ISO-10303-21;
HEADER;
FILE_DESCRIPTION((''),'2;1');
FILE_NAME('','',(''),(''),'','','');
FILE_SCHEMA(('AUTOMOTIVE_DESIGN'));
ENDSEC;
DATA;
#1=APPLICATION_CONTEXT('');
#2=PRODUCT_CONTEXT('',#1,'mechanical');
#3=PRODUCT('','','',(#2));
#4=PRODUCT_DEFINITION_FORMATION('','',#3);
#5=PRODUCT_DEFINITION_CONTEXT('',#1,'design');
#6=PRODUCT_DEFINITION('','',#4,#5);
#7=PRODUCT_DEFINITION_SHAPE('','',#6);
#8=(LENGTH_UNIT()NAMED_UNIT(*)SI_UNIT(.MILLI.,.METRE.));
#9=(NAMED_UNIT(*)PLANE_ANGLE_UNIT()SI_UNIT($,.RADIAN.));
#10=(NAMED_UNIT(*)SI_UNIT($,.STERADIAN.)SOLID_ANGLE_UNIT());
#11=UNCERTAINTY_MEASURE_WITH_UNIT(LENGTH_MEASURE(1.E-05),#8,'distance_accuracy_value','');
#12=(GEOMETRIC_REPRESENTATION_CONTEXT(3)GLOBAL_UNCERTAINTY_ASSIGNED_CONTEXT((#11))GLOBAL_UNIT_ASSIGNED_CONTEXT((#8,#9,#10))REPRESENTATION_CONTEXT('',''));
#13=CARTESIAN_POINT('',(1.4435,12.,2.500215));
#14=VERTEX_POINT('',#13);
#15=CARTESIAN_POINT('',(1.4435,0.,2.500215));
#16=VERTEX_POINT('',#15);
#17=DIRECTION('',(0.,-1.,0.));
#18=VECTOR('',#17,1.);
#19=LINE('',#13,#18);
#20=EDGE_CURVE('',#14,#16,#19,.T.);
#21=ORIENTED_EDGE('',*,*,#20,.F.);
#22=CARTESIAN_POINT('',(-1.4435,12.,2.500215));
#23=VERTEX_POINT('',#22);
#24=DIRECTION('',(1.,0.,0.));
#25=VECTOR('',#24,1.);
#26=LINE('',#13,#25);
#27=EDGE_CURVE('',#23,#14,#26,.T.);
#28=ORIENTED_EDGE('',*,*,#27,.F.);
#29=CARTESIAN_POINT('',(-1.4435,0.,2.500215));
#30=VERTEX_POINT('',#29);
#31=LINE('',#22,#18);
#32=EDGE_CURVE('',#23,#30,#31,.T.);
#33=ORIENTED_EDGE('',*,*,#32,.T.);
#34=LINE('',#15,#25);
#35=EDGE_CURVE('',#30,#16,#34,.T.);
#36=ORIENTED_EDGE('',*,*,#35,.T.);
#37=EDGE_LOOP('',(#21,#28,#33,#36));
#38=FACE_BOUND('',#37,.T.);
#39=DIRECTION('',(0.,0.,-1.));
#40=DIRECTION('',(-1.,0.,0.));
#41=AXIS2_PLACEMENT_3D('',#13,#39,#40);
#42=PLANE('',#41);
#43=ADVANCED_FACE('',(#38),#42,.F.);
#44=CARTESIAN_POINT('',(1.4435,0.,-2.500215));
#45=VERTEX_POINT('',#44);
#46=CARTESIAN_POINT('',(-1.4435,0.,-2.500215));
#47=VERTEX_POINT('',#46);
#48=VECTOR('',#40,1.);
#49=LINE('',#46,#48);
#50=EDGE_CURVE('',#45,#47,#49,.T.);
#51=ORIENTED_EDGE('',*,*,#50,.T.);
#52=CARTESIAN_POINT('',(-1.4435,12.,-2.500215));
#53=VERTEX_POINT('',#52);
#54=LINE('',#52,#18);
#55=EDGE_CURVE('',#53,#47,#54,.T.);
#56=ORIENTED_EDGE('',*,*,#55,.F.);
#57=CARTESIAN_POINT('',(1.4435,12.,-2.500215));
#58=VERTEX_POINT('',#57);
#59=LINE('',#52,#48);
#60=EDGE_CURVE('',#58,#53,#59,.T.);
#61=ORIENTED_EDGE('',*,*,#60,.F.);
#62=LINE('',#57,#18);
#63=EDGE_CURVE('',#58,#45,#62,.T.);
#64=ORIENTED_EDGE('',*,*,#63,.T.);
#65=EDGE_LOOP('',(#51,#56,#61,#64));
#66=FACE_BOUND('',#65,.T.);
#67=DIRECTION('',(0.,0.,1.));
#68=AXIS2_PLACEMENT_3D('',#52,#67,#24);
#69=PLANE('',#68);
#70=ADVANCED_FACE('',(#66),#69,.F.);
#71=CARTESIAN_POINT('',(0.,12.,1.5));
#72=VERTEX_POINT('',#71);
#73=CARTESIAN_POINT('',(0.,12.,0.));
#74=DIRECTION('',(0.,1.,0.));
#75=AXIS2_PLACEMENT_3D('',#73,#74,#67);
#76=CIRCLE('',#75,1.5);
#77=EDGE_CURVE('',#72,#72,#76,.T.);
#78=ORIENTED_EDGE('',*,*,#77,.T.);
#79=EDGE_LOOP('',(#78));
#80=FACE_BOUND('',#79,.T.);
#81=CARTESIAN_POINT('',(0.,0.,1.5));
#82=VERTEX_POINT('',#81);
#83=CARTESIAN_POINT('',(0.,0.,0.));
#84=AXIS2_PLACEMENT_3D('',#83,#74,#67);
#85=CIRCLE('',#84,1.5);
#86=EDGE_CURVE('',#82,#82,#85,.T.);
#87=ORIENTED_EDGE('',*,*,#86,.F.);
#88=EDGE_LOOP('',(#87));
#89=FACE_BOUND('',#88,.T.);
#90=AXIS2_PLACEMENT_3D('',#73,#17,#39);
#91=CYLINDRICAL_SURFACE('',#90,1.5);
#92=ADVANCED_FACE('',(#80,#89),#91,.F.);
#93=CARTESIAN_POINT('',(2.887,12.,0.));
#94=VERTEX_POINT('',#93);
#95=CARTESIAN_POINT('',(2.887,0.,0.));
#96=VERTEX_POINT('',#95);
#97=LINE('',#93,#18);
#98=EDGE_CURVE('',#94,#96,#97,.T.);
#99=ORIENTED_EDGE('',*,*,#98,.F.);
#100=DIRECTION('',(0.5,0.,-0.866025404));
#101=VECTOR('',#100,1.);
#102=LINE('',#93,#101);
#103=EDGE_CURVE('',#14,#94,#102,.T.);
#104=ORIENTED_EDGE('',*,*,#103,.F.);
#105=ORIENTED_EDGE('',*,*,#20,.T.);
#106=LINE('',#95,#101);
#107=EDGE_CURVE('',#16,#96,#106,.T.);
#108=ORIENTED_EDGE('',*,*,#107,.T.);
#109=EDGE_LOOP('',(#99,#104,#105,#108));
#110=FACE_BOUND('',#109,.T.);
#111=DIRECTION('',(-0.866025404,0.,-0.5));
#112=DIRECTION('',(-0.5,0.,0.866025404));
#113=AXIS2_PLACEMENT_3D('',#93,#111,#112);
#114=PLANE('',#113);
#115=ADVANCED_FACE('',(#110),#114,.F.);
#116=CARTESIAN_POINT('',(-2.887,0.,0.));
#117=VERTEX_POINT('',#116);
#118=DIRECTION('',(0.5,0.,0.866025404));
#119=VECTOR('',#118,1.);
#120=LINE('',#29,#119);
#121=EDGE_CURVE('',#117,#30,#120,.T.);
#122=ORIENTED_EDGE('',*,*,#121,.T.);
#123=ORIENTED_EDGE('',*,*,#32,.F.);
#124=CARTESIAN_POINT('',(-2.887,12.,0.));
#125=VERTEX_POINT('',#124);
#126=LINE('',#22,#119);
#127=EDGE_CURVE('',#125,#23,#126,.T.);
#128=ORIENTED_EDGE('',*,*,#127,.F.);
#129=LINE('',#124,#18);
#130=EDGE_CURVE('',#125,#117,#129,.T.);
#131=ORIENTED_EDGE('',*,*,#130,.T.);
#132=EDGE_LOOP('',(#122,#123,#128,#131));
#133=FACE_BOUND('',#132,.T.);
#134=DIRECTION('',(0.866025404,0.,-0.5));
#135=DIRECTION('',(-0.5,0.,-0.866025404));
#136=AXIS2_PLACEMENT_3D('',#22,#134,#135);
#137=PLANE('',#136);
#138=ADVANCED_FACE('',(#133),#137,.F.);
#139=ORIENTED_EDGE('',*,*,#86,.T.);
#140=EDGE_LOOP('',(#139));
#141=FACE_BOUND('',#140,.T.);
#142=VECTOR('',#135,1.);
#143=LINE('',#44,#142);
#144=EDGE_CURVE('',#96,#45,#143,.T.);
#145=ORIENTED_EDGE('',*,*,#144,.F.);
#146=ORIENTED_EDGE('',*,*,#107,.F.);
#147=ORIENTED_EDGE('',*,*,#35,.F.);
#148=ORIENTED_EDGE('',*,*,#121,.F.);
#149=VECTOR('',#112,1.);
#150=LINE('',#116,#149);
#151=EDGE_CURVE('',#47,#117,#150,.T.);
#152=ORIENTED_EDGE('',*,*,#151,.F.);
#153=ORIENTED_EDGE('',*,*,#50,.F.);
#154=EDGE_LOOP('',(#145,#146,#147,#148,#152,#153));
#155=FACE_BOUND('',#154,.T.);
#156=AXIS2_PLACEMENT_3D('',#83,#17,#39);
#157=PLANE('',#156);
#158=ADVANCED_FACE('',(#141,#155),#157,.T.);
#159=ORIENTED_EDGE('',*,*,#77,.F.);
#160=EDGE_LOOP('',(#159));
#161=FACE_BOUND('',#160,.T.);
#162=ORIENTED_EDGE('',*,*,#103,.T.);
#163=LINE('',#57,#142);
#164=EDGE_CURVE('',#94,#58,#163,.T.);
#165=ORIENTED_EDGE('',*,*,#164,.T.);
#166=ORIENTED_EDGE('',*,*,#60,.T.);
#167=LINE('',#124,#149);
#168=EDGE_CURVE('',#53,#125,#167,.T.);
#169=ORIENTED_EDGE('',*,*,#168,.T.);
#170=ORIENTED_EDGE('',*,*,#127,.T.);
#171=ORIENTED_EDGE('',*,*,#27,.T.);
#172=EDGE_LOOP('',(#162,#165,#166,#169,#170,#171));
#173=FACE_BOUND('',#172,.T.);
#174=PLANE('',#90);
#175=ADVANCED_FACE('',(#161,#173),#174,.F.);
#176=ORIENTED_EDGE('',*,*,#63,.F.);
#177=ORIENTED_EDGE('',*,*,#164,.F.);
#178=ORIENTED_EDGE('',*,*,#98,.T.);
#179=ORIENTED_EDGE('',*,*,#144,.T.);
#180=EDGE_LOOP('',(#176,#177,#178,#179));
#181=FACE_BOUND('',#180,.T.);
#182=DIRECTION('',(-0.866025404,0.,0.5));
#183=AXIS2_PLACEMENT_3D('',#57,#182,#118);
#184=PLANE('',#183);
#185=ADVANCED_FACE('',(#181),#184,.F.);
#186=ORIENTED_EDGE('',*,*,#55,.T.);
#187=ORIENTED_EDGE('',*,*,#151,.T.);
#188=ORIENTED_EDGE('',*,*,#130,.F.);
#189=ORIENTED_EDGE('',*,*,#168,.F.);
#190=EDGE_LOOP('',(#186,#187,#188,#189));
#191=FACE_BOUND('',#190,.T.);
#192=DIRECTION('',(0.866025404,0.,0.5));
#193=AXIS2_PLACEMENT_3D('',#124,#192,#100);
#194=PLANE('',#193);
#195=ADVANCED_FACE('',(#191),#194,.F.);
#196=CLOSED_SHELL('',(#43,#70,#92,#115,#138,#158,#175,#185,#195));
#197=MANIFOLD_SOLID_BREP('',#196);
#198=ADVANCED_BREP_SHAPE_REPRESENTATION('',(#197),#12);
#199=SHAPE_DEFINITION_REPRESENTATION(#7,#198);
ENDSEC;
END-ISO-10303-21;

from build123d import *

# Parameters (mm, degrees)
SKETCH2_R           = 1.5
BOSS_EXTRUDE1_DEPTH = 12


with BuildPart() as part:
    # Sketch2 → Boss-Extrude1 (new body)
    with BuildSketch(Plane(origin=(0, 0, 0), x_dir=(1, 0, 0), z_dir=(0, 1, 0))):
        Polygon((1.4435, 2.500215341), (2.887, 0), (1.4435, -2.500215341), (-1.4435, -2.500215341), (-2.887, 0), (-1.4435, 2.500215341), align=None)
        with Locations(Location((0, 0, 0), (0, 0, 270))):
            Circle(SKETCH2_R, mode=Mode.SUBTRACT)
    extrude(amount=BOSS_EXTRUDE1_DEPTH)


solid = part.part
